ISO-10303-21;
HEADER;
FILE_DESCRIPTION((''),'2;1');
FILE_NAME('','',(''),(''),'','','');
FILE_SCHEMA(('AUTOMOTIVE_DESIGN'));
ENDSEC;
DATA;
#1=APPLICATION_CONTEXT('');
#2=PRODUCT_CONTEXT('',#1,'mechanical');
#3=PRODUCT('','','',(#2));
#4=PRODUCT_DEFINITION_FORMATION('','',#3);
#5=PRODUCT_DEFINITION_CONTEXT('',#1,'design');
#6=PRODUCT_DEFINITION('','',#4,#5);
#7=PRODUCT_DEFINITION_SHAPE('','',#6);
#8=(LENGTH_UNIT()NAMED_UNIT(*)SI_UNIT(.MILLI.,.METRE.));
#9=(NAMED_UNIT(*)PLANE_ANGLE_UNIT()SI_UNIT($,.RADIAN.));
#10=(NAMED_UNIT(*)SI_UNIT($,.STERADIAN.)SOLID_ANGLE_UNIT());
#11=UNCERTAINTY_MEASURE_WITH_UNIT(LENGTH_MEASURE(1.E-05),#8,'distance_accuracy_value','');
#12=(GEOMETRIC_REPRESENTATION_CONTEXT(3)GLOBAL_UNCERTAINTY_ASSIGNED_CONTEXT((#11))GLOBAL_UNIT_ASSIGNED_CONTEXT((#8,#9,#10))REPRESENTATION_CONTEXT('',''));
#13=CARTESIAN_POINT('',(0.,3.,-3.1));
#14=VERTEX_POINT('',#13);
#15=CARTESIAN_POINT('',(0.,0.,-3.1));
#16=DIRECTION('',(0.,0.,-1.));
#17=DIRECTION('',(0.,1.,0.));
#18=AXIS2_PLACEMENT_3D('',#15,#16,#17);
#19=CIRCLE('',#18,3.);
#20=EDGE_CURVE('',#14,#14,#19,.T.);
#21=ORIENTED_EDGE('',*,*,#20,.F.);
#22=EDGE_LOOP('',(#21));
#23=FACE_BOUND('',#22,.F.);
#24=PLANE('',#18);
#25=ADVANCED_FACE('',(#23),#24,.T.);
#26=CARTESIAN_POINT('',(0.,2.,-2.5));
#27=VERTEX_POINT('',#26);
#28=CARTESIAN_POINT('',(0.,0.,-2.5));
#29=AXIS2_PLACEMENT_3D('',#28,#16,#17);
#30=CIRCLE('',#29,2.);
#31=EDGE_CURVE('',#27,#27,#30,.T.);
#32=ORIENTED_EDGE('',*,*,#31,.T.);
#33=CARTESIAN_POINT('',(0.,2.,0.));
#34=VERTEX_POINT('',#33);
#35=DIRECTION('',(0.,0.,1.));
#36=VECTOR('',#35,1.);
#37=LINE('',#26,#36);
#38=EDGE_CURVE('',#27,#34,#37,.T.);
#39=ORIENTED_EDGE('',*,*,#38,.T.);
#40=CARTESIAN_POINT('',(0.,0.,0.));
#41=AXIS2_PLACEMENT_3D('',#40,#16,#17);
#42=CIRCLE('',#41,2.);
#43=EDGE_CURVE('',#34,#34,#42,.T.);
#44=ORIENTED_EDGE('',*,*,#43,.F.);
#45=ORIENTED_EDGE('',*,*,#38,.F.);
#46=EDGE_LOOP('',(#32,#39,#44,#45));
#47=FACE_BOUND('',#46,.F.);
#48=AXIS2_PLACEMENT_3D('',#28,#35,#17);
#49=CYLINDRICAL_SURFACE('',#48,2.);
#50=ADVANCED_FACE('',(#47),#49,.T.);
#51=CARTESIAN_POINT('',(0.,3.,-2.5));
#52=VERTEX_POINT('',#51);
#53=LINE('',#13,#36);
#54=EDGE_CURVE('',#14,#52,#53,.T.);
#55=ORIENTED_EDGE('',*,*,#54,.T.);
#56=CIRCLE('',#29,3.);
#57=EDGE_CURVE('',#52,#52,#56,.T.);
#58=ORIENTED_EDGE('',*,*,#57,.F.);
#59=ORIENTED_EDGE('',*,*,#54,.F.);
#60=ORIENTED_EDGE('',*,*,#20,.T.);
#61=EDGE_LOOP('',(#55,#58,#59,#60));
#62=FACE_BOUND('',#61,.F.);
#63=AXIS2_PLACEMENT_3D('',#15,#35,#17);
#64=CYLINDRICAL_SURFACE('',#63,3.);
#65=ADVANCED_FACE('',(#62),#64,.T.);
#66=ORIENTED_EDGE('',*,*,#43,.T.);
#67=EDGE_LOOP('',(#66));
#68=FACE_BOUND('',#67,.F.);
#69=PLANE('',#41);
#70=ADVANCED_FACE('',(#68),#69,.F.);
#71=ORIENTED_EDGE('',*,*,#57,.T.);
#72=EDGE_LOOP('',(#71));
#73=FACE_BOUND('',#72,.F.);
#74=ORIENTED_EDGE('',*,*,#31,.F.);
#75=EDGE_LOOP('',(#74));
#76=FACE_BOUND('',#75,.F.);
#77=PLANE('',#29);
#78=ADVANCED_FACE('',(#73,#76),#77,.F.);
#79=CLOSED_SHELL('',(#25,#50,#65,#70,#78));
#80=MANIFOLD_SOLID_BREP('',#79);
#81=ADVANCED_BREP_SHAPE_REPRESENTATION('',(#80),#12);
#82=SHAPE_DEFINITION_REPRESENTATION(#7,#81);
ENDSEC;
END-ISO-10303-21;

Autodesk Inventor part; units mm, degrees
ref_plane "YZ Plane" through (0, 0, 0) normal (1, 0, 0) x (0, 1, 0)
ref_plane "XZ Plane" through (0, 0, 0) normal (0, 1, 0) x (-1, 0, 0)
ref_plane "XY Plane" through (0, 0, 0) normal (0, 0, 1) x (1, 0, 0)
sketch "Esquisse1" plane through (0, 0, 0) normal (1, 0, 0) x (0, 1, 0)
  line L0 (0, 0) -> (0, -3.1)
  line L1 (0, -3.1) -> (3, -3.1)
  line L2 (3, -3.1) -> (3, -2.5)
  line L3 (3, -2.5) -> (2, -2.5)
  line L4 (2, -2.5) -> (2, 0)
  line L5 (2, 0) -> (0, 0)
  dimension "d0" = 4
  dimension "d1" = 2.5
  dimension "d2" = 0.6
  dimension "d3" = 6
revolve "Révolution1" add sketch "Esquisse1" angle 360 about axis through (0, 0, 0) along (0, 0, -1)
properties part number "bouton" material "Plastique ABS"
